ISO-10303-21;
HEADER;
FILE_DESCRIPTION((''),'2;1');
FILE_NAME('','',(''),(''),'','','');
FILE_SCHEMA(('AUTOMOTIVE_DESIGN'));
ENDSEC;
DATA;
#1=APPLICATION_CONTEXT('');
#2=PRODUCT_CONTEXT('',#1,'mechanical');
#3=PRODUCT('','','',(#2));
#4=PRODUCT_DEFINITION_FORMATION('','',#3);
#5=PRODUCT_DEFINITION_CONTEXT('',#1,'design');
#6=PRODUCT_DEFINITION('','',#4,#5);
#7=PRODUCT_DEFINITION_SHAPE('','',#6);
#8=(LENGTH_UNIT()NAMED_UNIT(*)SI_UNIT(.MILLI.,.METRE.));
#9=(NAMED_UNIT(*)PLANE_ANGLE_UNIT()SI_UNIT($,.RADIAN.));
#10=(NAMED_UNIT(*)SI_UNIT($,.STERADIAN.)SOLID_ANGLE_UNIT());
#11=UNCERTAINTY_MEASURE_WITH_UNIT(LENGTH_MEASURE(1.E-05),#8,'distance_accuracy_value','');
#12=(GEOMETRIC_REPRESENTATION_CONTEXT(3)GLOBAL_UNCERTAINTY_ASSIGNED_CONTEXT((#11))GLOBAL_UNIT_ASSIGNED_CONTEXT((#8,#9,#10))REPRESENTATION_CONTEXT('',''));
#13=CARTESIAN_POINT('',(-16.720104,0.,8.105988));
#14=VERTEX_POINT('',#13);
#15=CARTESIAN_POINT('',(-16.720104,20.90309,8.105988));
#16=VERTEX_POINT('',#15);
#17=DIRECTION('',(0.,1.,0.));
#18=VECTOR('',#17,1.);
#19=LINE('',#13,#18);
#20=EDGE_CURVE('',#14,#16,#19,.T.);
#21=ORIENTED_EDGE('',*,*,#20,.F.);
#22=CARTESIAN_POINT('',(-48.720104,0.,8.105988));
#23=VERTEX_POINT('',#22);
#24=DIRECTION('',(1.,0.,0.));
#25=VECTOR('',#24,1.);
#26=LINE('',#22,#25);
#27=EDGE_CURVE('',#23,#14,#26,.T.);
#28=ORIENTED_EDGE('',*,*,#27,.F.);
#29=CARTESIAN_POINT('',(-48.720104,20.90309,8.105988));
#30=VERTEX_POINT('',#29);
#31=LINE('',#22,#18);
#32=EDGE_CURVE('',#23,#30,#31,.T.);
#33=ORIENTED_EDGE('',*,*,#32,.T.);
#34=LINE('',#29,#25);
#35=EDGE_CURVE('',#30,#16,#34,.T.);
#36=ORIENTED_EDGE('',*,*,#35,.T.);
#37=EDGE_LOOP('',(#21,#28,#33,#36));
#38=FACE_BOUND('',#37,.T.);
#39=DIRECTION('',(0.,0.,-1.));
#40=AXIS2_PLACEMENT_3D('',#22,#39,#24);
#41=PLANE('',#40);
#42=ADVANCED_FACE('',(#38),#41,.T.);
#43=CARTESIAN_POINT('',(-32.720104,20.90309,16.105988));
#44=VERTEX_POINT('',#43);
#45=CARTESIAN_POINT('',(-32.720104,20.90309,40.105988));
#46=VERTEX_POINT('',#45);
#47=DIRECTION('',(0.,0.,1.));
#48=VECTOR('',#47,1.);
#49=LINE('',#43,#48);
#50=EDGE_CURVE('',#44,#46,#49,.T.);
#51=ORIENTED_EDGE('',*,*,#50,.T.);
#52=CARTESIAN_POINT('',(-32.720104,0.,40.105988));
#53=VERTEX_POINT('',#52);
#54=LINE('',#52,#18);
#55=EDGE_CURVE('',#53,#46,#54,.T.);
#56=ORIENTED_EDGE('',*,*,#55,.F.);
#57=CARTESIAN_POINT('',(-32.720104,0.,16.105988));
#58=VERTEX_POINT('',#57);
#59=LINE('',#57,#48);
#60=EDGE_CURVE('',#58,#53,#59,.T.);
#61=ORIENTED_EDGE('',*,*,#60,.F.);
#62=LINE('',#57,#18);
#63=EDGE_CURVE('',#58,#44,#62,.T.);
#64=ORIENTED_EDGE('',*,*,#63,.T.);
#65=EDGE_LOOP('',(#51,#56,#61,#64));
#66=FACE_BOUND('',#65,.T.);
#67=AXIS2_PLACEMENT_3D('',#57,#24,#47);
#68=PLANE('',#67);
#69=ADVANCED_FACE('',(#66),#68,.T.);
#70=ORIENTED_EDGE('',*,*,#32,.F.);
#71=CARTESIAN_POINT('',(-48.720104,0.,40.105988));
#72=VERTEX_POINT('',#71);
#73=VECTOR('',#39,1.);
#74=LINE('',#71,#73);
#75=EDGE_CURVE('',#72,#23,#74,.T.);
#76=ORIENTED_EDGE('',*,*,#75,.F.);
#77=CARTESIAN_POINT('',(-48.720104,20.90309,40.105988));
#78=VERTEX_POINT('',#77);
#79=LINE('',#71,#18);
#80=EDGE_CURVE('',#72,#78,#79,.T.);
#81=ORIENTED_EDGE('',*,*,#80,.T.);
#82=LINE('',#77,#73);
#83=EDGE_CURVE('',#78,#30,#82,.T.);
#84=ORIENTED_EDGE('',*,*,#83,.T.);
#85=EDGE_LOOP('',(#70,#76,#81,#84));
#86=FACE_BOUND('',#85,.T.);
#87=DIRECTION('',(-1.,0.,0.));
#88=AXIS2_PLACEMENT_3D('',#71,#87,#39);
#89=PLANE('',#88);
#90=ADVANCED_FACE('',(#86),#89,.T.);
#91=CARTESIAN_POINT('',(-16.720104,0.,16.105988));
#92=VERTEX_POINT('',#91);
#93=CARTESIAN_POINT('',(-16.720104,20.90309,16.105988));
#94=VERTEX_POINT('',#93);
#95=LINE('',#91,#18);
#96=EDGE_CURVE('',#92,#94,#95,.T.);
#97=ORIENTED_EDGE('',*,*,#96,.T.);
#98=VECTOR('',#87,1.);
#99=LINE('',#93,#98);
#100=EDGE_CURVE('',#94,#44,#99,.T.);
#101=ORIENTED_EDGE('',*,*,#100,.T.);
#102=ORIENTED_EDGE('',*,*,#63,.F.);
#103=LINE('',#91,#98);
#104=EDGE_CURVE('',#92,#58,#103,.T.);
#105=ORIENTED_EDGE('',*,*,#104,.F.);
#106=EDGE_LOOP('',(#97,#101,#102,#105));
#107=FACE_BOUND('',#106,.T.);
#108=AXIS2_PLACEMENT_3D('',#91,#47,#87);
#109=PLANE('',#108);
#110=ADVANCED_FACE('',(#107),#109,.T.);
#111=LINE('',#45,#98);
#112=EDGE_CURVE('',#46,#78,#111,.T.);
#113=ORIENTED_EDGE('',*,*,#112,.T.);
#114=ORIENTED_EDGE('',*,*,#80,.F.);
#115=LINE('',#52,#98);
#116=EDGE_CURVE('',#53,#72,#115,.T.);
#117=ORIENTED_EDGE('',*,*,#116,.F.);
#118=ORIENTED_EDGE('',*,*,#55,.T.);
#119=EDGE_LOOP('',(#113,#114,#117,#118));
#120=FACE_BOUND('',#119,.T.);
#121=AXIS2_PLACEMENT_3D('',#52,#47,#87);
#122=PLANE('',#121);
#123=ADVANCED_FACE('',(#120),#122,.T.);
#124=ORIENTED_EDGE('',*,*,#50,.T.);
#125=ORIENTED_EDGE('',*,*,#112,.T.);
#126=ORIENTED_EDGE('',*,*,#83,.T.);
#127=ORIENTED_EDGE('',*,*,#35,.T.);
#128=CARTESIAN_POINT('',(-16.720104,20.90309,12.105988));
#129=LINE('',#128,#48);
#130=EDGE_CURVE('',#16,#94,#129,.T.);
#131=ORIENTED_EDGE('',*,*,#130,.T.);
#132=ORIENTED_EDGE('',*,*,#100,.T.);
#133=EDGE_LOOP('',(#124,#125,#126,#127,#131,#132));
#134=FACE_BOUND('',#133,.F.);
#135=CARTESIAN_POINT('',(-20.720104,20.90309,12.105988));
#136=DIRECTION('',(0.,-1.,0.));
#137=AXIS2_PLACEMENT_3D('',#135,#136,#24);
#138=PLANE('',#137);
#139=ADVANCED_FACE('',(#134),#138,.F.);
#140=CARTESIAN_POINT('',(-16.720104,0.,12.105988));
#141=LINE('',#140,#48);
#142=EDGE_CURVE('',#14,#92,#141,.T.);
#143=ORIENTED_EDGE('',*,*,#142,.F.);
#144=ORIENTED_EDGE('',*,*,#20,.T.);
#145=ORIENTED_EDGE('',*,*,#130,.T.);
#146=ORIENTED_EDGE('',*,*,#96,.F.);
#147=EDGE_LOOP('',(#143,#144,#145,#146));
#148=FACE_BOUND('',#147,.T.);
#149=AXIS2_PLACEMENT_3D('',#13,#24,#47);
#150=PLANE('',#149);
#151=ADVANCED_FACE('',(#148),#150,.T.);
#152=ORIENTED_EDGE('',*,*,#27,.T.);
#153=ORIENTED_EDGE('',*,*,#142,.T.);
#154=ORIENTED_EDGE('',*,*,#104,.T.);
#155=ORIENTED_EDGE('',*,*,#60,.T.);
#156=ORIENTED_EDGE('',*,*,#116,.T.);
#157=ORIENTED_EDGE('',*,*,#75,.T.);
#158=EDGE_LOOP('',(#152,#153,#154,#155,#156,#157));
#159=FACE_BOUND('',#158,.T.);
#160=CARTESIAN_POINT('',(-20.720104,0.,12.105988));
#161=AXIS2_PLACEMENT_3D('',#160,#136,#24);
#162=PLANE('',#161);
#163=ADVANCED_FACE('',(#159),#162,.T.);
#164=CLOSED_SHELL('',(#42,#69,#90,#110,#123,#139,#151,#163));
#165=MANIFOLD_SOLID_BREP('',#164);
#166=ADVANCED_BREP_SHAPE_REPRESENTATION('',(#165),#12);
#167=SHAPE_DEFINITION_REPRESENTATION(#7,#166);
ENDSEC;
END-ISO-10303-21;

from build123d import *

# Parameters (mm, degrees)
F0_W     = 8
F0_H     = 8
F0_H_2   = 16
F1_DEPTH = 20.90309


with BuildPart() as f1:
    # F0 (on Front) → F1 (new body)
    with BuildSketch(Plane.XZ):
        with Locations((-20.720104, 12.105988)):
            Rectangle(F0_W, F0_H)
        with Locations((-28.720104, 12.105988)):
            Rectangle(F0_W, F0_H)
        Polygon((-32.720104, 16.105988), (-32.720104, 24.105988), (-40.720104, 24.105988), (-48.720104, 24.105988), (-48.720104, 8.105988), (-32.720104, 8.105988), align=None)
        with Locations((-36.720104, 32.105988)):
            Rectangle(F0_W, F0_H_2)
        with Locations((-44.720104, 32.105988)):
            Rectangle(F0_W, F0_H_2)
    extrude(amount=-F1_DEPTH)


solid = f1.part
